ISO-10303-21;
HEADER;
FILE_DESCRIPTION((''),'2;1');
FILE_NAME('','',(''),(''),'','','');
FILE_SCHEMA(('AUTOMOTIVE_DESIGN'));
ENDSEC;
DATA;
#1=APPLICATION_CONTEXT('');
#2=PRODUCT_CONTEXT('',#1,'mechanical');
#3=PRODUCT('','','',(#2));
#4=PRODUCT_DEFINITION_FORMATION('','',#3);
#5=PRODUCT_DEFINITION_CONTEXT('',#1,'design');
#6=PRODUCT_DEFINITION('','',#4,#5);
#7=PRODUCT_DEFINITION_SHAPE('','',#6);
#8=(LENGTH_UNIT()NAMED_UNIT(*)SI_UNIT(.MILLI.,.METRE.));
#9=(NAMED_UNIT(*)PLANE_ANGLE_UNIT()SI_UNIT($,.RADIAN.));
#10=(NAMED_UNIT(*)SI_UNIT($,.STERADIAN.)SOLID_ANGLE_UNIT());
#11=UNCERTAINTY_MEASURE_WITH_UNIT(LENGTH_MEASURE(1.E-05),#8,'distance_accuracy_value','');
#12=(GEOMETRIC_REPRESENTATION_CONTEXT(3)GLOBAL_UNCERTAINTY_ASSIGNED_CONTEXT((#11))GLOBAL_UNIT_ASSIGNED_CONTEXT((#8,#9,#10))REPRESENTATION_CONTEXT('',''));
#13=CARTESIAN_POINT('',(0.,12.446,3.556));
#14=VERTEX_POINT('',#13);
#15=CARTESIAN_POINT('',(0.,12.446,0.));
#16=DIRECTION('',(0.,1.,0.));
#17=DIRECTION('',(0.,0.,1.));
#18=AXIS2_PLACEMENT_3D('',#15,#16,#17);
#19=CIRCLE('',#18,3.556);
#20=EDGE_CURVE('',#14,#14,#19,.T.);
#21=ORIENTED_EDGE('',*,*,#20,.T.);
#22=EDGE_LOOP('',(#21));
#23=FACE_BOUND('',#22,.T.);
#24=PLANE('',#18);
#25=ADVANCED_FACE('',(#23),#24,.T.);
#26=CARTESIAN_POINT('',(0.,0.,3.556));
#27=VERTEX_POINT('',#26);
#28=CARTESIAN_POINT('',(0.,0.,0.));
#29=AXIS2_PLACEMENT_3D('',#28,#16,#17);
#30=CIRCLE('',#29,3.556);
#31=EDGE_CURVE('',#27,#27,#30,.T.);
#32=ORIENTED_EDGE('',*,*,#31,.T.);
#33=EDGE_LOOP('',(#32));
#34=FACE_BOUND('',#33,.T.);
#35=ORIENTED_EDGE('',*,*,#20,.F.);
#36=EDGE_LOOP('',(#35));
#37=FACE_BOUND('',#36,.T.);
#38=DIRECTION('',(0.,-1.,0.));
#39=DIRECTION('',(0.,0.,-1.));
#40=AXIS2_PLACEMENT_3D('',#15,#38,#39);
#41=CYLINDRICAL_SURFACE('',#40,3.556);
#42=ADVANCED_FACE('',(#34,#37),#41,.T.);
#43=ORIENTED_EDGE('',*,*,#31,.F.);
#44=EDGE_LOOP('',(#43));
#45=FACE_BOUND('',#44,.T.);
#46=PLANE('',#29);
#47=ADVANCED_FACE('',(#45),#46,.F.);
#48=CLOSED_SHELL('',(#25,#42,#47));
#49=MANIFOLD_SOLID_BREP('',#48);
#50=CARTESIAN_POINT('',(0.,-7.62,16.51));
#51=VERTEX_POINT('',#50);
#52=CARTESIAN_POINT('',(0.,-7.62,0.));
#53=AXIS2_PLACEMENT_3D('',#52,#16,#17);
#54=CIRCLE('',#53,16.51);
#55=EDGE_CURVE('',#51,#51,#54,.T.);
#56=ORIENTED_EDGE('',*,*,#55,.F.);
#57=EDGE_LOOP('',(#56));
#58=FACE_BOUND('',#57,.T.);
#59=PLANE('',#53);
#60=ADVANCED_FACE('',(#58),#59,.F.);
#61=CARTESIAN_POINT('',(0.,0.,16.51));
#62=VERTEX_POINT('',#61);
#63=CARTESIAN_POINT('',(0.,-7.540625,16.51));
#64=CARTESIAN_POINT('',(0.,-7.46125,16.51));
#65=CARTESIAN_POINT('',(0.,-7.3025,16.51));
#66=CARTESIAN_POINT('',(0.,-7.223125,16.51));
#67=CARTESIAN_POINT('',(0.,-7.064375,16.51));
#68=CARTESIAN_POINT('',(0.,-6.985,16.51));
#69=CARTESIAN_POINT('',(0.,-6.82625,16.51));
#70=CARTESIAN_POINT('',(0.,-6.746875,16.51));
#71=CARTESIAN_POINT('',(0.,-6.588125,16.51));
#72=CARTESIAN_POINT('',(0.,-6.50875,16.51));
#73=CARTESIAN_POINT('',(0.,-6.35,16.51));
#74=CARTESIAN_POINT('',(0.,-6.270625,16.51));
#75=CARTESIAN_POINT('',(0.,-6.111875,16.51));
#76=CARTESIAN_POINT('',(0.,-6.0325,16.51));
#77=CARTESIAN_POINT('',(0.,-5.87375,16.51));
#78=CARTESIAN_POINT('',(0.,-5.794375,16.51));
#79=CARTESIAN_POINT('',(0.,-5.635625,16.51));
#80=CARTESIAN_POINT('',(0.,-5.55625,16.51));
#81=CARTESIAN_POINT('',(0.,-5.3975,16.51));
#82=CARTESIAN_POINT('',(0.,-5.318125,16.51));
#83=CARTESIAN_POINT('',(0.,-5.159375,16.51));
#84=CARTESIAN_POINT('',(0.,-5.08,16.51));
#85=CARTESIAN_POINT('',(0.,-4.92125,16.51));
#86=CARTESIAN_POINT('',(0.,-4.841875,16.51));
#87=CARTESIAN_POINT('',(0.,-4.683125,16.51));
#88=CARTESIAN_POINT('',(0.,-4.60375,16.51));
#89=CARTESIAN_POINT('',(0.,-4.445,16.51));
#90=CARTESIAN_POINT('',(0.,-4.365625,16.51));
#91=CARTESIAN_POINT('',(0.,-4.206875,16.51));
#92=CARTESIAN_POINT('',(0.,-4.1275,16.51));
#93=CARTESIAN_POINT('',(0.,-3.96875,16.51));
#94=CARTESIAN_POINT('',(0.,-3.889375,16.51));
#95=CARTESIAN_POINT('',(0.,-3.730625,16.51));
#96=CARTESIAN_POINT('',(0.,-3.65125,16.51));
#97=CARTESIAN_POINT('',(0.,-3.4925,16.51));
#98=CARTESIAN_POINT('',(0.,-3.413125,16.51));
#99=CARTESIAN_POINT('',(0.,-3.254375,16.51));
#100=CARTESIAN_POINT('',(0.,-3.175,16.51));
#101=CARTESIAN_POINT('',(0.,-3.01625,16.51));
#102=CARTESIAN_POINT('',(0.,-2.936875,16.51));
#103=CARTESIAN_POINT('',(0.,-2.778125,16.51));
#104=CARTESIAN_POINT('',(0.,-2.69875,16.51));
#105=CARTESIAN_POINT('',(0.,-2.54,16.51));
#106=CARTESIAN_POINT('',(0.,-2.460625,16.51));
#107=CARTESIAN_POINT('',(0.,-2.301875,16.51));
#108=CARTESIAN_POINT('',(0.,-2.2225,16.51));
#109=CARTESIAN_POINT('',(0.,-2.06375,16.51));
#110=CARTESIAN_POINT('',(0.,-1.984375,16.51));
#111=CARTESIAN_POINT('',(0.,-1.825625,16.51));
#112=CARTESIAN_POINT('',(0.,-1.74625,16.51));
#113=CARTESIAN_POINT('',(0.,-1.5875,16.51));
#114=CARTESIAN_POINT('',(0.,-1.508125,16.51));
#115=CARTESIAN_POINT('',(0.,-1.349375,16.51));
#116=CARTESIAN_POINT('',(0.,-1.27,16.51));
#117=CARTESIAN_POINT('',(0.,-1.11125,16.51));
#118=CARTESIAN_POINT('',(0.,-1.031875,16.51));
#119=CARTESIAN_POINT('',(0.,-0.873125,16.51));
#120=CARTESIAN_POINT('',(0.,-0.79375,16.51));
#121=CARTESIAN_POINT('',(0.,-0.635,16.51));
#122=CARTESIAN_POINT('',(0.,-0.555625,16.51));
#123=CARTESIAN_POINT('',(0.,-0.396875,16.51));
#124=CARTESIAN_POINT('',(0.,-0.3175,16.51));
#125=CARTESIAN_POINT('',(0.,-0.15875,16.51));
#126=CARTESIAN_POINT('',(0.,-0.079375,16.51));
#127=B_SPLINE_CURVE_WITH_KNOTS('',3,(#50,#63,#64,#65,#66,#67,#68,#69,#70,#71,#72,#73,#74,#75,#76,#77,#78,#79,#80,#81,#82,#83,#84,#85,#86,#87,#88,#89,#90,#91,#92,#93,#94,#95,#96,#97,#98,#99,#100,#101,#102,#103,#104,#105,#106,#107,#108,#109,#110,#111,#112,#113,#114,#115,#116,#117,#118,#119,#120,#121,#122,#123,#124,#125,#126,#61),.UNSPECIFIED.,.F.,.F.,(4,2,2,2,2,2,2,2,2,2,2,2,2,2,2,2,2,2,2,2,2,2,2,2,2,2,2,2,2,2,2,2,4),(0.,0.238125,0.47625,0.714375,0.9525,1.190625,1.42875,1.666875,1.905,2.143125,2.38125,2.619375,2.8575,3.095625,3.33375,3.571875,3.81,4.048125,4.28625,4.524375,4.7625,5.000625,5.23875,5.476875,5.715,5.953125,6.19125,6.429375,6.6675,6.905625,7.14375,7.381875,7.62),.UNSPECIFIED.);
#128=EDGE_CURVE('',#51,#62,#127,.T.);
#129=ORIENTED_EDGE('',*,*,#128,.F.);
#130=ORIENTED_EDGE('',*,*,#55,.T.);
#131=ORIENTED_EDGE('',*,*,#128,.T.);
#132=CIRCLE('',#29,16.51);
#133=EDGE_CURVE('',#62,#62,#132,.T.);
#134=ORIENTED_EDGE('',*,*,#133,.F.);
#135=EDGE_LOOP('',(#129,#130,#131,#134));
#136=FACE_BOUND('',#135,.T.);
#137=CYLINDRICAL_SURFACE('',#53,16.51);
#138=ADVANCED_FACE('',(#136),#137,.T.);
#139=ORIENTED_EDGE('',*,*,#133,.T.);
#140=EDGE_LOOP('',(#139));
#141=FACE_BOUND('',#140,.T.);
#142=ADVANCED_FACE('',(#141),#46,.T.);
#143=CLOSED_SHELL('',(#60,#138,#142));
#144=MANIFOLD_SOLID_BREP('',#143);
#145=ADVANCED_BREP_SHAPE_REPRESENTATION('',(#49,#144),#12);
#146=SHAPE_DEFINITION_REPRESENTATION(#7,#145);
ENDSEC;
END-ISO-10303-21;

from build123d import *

# Parameters (mm, degrees)
SKETCH1_R           = 3.556
BOSS_EXTRUDE1_DEPTH = 12.446
SKETCH1_3_R         = 16.51
BOSS_EXTRUDE2_DEPTH = 7.62


with BuildPart() as part:
    # Sketch1 → Boss-Extrude1 (new body)
    with BuildSketch(Plane(origin=(0, 0, 0), x_dir=(1, 0, 0), z_dir=(0, 1, 0))):
        Circle(SKETCH1_R)
    extrude(amount=BOSS_EXTRUDE1_DEPTH)


with BuildPart() as body_2:
    # Sketch1<3> → Boss-Extrude2 (new body)
    with BuildSketch(Plane(origin=(0, 0, 0), x_dir=(1, 0, 0), z_dir=(0, 1, 0))):
        Circle(SKETCH1_3_R)
    extrude(amount=-BOSS_EXTRUDE2_DEPTH)


solid = Compound([part.part, body_2.part])
